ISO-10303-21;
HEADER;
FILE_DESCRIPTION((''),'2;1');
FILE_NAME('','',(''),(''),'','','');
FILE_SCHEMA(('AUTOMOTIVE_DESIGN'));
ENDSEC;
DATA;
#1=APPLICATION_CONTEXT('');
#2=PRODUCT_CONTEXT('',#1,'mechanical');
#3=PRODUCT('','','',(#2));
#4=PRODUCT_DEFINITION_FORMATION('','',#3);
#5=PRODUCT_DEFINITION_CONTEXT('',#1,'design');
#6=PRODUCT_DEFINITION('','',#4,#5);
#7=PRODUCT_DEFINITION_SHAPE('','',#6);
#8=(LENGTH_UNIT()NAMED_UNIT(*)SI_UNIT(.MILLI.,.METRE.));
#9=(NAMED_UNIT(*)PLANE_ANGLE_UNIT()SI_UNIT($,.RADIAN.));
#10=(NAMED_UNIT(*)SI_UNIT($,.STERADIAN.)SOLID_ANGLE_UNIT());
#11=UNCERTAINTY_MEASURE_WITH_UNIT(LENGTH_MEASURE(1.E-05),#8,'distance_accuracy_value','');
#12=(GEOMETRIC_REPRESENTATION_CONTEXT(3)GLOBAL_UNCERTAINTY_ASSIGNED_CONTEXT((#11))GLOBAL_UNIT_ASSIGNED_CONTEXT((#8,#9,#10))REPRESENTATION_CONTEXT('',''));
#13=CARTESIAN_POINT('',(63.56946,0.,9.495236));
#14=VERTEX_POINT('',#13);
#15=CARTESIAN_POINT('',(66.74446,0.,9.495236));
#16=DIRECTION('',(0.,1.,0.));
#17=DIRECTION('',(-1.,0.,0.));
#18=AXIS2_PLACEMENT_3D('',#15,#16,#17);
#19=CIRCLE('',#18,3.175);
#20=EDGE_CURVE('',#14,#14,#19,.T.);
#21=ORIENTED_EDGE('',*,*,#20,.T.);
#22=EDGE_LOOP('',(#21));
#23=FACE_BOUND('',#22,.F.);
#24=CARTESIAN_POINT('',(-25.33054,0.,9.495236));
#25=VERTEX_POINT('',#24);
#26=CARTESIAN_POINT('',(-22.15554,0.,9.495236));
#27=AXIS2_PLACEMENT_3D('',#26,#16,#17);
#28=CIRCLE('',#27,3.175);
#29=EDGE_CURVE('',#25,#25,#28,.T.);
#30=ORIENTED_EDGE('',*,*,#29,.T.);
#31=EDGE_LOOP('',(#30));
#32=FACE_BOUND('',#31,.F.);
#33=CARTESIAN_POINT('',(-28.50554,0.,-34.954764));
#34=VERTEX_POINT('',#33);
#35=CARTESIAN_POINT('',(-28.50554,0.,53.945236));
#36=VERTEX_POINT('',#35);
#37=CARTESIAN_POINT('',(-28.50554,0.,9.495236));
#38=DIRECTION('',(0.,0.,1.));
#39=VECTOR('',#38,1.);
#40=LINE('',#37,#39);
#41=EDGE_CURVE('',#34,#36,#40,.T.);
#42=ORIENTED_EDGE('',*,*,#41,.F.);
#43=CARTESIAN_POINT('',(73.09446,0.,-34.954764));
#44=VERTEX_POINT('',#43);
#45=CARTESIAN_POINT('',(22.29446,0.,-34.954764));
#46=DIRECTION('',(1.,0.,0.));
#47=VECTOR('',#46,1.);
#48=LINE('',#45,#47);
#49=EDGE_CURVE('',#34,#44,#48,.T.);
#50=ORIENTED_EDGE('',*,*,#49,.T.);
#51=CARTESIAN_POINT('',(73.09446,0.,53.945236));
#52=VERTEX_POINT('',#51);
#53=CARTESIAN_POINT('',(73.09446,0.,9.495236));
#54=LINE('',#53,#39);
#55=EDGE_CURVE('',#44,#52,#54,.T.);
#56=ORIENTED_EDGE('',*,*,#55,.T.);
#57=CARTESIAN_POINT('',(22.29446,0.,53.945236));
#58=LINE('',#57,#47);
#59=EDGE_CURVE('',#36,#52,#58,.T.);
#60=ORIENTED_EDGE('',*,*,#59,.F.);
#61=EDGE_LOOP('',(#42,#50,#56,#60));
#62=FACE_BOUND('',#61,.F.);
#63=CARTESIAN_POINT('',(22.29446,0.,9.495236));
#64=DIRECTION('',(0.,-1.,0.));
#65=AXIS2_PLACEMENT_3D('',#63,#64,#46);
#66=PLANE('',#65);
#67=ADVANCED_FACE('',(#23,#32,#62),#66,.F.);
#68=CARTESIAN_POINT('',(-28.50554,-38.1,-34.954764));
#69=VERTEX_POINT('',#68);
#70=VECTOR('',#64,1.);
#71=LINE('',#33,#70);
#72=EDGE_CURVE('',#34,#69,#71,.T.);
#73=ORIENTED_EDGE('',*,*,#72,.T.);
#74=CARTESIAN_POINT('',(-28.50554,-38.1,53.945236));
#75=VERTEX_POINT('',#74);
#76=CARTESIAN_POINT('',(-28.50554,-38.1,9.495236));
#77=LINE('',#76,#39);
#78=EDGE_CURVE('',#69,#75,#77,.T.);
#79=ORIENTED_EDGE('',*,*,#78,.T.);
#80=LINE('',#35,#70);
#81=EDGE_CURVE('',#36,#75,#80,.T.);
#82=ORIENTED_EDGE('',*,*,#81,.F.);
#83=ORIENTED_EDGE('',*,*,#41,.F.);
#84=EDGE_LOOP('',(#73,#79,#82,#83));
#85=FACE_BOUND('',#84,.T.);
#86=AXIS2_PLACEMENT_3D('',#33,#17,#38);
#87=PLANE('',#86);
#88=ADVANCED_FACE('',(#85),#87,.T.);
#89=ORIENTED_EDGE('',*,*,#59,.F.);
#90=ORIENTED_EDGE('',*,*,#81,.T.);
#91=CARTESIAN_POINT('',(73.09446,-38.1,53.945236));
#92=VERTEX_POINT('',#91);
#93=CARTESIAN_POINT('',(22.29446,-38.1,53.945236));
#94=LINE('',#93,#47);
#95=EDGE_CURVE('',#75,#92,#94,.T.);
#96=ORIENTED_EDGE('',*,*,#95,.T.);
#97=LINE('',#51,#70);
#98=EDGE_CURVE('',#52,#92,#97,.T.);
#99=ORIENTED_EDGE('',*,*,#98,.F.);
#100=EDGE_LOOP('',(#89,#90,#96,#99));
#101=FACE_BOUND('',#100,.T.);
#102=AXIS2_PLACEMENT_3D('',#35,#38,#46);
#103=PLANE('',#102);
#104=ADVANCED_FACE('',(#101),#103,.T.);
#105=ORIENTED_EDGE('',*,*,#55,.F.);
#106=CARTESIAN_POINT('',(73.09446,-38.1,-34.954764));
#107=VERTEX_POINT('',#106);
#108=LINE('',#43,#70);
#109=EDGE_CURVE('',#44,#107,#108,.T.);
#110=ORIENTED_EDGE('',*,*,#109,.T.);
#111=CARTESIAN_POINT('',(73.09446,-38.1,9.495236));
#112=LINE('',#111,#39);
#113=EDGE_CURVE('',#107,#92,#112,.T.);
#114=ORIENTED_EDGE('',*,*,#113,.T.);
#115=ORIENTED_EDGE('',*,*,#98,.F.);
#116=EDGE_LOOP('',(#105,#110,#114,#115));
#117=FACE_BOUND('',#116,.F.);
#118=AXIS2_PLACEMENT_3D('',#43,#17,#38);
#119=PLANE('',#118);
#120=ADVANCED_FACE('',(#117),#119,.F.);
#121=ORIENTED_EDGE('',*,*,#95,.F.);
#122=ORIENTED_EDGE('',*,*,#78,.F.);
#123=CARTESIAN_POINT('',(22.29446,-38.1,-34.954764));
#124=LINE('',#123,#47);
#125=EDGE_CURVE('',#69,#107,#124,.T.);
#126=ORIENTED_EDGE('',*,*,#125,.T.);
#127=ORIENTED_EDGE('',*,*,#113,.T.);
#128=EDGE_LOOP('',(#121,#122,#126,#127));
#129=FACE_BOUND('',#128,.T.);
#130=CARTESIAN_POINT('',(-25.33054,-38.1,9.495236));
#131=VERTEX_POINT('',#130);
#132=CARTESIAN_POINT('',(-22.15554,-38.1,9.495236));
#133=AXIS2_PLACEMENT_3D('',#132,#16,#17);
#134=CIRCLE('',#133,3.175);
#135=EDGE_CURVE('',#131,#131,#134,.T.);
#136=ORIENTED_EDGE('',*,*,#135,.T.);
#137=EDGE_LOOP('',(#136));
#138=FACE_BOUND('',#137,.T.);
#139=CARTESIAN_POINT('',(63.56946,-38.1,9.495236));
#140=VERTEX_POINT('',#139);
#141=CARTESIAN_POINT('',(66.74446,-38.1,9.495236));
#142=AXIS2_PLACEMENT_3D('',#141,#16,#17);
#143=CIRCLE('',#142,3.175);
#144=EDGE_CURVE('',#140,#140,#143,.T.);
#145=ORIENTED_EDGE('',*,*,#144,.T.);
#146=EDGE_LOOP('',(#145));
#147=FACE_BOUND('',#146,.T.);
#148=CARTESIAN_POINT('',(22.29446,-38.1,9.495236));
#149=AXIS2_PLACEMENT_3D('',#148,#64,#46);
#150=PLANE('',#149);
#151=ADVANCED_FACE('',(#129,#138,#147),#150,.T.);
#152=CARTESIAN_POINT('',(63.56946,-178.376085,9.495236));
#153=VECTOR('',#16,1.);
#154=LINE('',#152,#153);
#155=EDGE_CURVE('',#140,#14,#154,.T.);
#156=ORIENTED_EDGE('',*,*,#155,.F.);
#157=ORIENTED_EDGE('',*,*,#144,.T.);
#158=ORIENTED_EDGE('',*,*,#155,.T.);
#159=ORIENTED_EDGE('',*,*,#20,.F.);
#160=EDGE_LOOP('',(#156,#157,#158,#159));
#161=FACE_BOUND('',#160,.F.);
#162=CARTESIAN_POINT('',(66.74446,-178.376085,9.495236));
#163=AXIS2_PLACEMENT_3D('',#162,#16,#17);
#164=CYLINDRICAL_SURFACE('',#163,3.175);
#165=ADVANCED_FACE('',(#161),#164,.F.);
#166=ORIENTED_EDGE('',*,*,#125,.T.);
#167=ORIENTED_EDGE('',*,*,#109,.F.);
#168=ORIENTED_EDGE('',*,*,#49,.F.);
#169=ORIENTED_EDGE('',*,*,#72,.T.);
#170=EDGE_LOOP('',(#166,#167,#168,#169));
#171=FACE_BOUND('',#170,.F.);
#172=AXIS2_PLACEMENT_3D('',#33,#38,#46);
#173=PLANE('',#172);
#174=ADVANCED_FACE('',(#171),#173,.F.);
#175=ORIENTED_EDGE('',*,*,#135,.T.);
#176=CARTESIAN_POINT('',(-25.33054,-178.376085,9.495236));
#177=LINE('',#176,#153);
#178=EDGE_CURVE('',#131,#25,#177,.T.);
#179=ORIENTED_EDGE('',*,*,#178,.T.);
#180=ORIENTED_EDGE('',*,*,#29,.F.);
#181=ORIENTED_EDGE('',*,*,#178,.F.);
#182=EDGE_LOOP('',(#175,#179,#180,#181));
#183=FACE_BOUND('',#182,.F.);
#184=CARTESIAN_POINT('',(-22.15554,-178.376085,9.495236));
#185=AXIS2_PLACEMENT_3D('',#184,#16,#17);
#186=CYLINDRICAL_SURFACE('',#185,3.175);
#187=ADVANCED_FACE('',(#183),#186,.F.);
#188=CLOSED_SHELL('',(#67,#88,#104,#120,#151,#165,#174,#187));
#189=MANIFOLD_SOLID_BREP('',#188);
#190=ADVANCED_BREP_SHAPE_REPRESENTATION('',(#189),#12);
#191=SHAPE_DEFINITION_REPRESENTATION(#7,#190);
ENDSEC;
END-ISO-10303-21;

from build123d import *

# Parameters (mm, degrees)
F0_W     = 101.6
F0_H     = 88.9
F1_DEPTH = 38.1
F3_D     = 6.35
F4_D     = 6.35


with BuildPart() as f1:
    # F0 (on Front) → F1 (new body)
    with BuildSketch(Plane.XZ):
        with Locations((22.29446, 9.495236)):
            Rectangle(F0_W, F0_H)
    extrude(amount=F1_DEPTH)

    # F3 (through all)
    with Locations(Plane.XZ.offset(38.1)):
        with Locations((-22.15554, 9.495236)):
            Hole(F3_D / 2)

    # F4 (through all)
    with Locations(Plane.XZ.offset(38.1)):
        with Locations((66.74446, 9.495236)):
            Hole(F4_D / 2)


solid = f1.part
